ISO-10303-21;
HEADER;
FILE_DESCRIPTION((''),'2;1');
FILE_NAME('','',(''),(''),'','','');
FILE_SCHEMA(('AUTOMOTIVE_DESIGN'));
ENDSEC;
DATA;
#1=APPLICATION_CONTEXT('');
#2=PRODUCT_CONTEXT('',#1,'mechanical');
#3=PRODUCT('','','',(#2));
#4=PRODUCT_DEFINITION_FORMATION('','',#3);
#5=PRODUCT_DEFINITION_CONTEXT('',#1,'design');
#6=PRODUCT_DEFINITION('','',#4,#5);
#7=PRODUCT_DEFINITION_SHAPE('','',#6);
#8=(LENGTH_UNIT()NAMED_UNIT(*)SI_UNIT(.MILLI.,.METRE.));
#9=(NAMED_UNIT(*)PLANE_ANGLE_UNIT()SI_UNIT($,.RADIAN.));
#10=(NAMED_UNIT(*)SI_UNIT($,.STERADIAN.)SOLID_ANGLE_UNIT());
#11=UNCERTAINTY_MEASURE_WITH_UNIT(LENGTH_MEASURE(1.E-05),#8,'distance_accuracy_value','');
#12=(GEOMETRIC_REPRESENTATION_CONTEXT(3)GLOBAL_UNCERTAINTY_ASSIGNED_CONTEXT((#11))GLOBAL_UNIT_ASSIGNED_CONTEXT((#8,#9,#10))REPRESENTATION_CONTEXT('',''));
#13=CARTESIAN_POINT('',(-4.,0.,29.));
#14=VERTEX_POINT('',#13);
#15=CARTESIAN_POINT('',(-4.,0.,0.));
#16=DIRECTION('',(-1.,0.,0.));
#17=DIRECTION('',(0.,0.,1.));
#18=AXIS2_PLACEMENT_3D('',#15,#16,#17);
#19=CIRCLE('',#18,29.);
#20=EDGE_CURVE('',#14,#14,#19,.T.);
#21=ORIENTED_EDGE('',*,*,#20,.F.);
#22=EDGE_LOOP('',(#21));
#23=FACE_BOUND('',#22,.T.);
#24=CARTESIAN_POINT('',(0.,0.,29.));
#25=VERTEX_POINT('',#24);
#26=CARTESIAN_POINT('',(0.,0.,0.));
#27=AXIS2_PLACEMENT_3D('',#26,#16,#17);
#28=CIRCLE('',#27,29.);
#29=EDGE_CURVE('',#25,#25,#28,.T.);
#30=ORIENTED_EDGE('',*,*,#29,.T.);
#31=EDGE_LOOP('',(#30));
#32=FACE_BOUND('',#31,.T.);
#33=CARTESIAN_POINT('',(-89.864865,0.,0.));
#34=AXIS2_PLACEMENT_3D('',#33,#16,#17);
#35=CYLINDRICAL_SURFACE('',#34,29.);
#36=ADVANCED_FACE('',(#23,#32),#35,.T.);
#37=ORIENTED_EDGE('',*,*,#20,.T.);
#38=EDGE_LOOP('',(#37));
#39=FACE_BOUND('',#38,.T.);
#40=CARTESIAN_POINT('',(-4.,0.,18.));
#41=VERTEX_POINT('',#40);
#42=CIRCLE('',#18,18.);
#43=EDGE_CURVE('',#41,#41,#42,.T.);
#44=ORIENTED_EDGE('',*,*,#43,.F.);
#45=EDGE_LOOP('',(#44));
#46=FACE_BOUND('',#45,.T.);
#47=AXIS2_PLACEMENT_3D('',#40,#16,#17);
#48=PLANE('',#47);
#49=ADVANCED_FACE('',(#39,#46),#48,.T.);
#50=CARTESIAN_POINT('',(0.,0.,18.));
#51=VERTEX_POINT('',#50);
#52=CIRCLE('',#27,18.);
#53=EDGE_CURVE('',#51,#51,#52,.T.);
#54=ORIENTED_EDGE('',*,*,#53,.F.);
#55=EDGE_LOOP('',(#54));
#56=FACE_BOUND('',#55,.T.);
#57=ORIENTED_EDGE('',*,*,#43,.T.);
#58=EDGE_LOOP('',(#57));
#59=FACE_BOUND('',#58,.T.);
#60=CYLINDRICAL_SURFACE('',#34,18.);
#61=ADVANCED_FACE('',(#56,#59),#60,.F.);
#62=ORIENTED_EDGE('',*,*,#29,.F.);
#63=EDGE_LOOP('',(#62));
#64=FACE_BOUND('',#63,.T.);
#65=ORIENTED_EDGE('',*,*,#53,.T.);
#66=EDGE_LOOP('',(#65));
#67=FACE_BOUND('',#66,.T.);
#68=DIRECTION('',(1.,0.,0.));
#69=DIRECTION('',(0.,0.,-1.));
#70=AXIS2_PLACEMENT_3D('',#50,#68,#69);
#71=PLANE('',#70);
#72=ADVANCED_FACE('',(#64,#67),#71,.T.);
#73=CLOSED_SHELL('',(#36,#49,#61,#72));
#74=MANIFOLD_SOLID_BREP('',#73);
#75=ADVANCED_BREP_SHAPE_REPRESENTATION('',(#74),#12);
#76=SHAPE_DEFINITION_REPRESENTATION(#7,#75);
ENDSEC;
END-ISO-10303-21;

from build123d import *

# Parameters (mm, degrees)
SKETCH1_W = 4
SKETCH1_H = 11


with BuildPart() as part:
    # Sketch1 → Revolve1 (revolve)
    with BuildSketch(Plane(origin=(0, 0, 0), x_dir=(1, 0, 0), z_dir=(0, 1, 0))):
        with Locations((-2, -23.5)):
            Rectangle(SKETCH1_W, SKETCH1_H)
    revolve(axis=Axis((-89.864864865, 0, 0), (1, 0, 0)))


solid = part.part
